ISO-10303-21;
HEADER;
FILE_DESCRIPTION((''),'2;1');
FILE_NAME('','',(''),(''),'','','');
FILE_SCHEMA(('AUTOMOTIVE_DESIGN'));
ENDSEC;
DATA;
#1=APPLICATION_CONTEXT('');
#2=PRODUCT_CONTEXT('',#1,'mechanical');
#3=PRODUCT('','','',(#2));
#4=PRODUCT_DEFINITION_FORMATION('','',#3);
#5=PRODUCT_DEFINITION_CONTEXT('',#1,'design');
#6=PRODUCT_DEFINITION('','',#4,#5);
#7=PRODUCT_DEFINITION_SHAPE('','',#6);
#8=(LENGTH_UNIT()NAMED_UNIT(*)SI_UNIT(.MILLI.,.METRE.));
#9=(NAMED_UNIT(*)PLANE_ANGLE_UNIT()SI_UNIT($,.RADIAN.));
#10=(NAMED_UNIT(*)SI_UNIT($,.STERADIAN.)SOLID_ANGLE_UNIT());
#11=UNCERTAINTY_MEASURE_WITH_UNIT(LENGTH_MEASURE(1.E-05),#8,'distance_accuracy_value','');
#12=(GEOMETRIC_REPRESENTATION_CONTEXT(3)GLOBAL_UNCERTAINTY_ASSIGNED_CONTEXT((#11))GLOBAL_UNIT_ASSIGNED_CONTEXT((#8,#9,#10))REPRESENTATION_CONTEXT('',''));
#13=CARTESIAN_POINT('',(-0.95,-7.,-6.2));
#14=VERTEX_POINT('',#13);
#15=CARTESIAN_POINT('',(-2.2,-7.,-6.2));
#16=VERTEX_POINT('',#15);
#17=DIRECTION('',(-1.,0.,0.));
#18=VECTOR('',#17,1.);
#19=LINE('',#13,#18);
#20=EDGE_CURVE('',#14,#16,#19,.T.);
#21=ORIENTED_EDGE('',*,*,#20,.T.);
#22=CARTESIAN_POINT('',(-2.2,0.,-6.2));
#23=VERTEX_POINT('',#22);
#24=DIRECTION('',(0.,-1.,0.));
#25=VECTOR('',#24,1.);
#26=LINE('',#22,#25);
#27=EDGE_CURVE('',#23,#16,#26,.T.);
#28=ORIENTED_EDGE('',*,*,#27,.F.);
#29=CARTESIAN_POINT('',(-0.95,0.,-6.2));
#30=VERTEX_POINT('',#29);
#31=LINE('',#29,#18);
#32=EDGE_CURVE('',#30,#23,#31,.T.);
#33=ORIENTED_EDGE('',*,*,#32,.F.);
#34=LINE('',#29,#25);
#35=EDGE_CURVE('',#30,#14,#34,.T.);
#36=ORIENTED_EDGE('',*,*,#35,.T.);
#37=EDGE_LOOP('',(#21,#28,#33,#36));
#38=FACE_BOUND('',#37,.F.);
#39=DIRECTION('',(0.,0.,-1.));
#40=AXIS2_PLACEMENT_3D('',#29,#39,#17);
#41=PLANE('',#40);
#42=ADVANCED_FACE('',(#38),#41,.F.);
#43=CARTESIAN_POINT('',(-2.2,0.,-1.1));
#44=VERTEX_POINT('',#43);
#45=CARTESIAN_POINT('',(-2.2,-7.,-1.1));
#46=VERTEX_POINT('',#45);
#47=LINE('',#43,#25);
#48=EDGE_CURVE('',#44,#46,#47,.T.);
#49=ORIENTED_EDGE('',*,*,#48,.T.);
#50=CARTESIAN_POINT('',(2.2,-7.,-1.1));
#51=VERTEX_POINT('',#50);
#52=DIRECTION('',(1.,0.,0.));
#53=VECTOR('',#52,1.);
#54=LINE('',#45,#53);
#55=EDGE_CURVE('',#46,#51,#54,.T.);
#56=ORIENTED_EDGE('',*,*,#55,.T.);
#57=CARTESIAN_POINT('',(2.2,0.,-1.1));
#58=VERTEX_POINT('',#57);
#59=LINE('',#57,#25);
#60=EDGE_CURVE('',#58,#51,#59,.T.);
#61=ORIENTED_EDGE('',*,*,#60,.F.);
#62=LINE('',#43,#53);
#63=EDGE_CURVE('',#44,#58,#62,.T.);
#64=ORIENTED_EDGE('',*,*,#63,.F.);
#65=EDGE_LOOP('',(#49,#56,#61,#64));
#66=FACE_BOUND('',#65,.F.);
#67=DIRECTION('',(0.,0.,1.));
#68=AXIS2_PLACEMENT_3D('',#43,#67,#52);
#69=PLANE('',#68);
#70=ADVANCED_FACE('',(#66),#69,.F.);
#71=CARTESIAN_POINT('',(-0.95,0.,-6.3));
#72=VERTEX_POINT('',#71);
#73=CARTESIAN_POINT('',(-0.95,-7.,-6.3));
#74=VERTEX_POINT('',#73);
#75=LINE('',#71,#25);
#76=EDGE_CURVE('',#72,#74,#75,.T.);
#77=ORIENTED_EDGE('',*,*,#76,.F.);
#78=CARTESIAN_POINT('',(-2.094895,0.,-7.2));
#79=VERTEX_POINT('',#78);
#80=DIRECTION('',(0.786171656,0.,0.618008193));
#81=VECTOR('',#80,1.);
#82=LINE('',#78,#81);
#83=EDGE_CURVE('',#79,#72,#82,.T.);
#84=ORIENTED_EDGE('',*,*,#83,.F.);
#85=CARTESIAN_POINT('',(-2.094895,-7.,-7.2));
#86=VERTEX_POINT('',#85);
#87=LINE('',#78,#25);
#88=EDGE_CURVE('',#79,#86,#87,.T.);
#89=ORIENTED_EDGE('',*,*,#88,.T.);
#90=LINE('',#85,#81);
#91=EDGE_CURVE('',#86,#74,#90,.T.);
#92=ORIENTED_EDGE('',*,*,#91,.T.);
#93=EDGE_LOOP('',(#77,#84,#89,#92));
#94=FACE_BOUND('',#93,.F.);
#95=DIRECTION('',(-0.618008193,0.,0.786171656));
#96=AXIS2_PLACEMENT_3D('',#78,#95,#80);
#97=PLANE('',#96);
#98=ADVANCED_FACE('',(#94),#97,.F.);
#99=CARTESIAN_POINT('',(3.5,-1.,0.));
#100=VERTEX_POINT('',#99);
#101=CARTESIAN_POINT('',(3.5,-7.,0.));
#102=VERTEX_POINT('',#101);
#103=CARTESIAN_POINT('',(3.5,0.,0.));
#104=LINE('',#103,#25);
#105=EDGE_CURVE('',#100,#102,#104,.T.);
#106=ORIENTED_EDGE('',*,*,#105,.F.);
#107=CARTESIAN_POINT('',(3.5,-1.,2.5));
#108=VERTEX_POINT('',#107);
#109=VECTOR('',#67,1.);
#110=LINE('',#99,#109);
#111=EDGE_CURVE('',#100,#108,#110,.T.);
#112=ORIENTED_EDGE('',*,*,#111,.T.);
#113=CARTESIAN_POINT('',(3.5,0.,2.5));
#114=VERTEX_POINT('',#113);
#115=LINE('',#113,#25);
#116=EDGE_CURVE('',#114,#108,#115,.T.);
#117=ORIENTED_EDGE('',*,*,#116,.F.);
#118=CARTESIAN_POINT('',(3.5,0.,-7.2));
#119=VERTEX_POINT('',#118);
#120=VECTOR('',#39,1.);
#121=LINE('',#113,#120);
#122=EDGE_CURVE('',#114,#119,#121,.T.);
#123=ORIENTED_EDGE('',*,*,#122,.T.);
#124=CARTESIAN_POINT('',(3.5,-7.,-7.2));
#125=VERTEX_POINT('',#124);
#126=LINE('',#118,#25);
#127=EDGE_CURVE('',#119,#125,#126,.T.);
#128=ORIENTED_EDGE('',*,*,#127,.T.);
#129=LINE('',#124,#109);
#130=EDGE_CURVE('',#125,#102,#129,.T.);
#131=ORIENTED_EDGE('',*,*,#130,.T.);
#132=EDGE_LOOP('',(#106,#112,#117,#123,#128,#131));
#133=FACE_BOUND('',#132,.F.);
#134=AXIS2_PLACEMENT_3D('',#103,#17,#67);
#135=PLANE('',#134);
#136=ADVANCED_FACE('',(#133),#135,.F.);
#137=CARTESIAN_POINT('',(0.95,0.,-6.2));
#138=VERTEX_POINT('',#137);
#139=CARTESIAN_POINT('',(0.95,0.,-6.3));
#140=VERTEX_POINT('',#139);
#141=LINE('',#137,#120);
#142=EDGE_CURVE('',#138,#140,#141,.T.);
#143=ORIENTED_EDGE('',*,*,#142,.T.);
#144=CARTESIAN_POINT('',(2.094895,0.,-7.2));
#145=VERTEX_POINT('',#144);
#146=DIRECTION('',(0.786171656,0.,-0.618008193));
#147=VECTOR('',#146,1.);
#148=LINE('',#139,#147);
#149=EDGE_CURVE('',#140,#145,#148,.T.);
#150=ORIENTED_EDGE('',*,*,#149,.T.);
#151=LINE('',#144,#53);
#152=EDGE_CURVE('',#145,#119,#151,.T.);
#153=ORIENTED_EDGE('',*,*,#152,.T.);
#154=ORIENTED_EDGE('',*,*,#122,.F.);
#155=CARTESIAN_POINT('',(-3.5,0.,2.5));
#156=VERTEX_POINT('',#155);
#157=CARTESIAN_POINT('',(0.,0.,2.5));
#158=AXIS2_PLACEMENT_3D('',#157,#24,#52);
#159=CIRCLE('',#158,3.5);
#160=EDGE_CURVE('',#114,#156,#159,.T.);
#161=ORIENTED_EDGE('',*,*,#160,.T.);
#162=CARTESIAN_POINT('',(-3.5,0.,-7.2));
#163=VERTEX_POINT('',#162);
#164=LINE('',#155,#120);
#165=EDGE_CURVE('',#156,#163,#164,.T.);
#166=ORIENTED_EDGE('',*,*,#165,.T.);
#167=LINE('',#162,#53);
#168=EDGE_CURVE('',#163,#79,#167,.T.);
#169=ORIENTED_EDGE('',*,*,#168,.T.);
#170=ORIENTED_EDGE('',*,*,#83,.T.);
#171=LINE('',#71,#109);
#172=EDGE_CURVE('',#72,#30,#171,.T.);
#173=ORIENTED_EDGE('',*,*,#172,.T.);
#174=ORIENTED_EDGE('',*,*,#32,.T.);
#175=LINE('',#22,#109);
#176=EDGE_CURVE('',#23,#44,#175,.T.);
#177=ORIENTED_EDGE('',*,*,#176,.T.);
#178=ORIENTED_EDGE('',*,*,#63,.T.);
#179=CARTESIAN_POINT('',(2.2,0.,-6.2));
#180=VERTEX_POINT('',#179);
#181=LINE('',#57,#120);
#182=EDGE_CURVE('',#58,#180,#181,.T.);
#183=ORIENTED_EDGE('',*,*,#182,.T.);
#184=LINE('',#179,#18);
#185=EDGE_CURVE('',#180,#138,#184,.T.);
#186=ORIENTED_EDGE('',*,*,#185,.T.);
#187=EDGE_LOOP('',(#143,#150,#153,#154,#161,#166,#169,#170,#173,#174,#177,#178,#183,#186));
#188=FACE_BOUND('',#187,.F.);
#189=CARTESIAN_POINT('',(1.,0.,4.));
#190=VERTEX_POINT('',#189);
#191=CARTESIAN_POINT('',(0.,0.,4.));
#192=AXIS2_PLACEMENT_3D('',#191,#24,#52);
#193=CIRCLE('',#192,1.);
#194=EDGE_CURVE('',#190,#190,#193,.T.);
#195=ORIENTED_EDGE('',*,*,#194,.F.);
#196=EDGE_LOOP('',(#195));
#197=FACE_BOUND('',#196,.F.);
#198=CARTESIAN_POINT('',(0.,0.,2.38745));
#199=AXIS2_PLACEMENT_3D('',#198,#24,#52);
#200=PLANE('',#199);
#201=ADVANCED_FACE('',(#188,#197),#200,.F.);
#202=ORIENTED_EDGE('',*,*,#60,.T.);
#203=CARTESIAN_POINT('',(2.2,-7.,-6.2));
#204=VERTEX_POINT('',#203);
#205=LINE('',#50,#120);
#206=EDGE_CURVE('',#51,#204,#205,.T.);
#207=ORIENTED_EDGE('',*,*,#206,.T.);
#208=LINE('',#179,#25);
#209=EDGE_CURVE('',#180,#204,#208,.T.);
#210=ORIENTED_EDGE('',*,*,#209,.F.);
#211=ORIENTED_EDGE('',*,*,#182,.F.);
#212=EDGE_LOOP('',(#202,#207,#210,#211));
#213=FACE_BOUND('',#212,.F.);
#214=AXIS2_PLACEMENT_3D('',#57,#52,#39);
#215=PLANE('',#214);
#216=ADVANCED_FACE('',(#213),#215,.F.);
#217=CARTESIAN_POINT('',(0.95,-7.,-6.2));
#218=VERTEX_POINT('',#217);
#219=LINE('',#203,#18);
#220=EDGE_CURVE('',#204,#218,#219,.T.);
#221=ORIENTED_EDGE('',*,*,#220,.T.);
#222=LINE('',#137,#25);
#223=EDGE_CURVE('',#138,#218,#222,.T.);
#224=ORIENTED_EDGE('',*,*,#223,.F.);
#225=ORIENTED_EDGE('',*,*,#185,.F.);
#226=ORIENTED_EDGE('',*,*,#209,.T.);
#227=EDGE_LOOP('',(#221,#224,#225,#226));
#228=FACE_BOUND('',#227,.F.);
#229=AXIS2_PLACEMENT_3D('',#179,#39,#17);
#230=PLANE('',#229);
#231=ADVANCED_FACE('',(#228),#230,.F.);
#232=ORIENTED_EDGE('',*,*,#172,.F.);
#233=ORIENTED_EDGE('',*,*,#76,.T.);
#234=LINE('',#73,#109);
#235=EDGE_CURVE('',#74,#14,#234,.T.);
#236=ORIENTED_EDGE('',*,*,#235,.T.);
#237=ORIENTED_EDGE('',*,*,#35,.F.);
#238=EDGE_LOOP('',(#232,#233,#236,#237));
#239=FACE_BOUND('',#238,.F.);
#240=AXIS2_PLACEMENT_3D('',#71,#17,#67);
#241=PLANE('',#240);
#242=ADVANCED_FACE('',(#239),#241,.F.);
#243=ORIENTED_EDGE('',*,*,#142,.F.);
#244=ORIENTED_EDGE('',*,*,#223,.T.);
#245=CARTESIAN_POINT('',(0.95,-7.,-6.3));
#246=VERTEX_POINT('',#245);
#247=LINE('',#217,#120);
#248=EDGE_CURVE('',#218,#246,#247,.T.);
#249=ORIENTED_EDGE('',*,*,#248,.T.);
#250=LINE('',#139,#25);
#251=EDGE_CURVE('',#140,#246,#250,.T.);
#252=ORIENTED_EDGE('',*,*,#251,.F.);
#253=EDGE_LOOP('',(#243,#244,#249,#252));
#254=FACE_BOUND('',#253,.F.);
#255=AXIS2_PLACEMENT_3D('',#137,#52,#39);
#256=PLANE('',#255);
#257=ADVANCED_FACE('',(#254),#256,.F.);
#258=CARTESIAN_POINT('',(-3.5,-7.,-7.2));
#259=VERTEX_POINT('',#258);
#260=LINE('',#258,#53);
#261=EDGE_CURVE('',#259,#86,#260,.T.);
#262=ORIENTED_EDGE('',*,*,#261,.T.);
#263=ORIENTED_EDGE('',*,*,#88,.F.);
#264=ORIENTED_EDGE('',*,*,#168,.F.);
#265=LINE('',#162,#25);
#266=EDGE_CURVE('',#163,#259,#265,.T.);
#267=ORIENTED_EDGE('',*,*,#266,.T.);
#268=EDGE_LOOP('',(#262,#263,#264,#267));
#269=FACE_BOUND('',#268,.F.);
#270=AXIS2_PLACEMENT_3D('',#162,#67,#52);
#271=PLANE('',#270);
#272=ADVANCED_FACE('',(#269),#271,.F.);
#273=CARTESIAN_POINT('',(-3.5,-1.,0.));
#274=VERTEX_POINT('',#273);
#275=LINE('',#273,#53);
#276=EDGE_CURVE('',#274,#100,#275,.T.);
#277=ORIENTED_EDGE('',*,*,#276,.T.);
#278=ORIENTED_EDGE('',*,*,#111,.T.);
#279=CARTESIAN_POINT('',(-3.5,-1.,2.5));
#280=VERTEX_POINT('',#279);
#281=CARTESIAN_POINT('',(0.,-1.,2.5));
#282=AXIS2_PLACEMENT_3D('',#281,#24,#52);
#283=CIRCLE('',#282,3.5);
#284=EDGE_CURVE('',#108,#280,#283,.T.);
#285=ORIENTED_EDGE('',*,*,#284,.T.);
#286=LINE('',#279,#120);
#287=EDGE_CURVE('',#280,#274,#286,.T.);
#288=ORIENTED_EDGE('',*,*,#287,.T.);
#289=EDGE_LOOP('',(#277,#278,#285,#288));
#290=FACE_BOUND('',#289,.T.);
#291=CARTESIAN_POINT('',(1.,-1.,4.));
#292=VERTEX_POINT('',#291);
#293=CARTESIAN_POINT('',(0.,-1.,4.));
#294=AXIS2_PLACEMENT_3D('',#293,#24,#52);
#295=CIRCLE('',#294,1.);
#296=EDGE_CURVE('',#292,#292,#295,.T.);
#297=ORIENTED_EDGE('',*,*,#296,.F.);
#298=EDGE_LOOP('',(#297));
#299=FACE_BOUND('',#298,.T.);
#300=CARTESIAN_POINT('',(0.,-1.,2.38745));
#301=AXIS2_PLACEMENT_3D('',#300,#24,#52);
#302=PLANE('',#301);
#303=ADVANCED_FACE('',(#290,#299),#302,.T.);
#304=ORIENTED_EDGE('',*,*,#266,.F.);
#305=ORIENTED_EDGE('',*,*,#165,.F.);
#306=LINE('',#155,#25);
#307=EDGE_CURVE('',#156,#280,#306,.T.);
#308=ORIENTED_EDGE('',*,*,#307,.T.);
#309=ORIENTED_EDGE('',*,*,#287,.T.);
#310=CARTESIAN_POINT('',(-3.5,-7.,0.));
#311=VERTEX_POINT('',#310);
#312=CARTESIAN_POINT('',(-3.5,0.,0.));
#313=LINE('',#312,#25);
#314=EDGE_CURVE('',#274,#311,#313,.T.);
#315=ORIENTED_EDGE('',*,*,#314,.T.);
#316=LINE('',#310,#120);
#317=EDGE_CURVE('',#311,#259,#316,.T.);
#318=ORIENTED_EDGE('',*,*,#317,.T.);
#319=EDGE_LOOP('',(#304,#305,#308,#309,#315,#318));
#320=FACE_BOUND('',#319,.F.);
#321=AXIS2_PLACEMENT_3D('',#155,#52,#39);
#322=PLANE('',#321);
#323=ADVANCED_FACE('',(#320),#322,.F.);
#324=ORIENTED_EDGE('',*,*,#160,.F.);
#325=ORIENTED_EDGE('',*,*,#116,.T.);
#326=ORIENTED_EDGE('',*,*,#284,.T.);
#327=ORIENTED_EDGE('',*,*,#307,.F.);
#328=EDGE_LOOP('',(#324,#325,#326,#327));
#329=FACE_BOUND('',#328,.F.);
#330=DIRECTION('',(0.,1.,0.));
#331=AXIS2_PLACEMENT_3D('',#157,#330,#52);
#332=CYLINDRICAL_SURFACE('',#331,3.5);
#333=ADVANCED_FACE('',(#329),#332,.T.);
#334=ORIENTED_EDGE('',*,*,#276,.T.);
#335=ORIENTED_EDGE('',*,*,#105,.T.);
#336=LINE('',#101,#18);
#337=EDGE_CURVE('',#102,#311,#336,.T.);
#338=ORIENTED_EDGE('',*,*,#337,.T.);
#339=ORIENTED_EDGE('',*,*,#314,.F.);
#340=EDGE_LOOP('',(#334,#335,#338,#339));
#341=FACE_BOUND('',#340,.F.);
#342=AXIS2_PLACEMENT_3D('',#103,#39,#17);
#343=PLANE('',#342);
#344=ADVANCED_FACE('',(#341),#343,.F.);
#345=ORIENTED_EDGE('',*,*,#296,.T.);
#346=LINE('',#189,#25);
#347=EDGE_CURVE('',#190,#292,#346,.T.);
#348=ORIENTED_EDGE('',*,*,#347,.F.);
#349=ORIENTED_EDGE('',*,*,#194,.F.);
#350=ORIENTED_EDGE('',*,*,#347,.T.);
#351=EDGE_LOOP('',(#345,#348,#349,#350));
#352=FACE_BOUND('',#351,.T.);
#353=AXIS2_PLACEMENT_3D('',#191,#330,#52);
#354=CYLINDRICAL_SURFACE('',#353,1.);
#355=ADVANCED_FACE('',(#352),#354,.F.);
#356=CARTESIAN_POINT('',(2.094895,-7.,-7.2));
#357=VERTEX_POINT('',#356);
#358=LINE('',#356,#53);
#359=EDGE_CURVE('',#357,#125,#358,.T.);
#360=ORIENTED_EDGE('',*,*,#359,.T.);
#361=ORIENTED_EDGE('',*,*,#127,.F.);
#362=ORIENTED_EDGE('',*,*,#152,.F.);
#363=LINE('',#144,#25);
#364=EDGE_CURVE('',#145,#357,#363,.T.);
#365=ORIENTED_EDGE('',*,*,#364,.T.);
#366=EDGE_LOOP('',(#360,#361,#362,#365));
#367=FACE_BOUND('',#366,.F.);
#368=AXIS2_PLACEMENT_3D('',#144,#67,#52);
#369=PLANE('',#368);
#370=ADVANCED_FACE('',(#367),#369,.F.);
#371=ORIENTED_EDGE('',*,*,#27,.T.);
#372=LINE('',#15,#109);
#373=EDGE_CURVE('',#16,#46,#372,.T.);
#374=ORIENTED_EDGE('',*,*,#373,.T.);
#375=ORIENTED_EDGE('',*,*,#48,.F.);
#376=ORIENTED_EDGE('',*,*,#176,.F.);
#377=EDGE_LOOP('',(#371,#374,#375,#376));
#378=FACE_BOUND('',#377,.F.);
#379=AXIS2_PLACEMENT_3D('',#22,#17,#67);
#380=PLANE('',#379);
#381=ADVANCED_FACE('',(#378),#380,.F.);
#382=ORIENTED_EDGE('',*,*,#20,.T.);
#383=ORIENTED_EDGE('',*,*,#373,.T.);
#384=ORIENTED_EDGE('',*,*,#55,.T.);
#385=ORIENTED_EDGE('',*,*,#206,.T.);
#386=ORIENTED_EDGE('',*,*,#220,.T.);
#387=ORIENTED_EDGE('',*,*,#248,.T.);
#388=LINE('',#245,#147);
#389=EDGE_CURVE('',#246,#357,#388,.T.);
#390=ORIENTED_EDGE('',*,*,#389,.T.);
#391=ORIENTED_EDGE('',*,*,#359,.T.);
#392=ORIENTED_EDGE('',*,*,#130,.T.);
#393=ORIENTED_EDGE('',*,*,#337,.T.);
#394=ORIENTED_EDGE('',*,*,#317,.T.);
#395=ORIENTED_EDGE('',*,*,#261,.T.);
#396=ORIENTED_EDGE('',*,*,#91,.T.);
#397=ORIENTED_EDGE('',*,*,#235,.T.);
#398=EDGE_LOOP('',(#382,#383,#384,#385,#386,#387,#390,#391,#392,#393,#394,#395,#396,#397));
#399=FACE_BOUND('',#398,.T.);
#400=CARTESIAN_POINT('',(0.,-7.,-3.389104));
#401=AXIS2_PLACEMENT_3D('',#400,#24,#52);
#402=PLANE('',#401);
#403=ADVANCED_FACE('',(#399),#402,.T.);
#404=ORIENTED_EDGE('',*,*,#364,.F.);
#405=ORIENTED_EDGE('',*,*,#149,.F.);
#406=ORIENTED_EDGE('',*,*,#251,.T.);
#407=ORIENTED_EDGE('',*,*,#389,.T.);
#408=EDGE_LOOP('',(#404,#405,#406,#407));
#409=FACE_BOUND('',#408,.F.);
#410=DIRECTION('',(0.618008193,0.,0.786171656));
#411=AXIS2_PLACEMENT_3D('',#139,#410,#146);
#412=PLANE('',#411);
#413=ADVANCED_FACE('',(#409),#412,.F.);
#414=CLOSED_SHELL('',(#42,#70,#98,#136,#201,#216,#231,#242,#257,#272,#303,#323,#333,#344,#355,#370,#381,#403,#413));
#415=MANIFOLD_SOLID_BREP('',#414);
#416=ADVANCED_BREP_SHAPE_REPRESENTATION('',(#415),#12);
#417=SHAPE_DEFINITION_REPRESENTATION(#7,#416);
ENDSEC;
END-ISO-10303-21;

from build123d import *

# Parameters (mm, degrees)
F1_DEPTH = 7
F0_R     = 1
F2_DEPTH = 1


with BuildPart() as f1:
    # F0 (on Front) → F1 (new body)
    with BuildSketch(Plane.XZ):
        Polygon((-0.95, -6.2), (-2.2, -6.2), (-2.2, -1.1), (2.2, -1.1), (2.2, -6.2), (0.95, -6.2), (0.95, -6.3), (2.094895, -7.2), (3.5, -7.2), (3.5, 0), (-3.5, 0), (-3.5, -7.2), (-2.094895, -7.2), (-0.95, -6.3), align=None)
    extrude(amount=F1_DEPTH)

    # F0 (on Front) → F2 (join)
    with BuildSketch(Plane.XZ):
        with BuildLine():
            Line((-3.5, 2.5), (-3.5, 0))
            Line((-3.5, 0), (3.5, 0))
            Line((3.5, 0), (3.5, 2.5))
            ThreePointArc((3.5, 2.5), (0, 6), (-3.5, 2.5))
        make_face()
        with Locations((0, 4)):
            Circle(F0_R, mode=Mode.SUBTRACT)
    extrude(amount=F2_DEPTH)


solid = f1.part
